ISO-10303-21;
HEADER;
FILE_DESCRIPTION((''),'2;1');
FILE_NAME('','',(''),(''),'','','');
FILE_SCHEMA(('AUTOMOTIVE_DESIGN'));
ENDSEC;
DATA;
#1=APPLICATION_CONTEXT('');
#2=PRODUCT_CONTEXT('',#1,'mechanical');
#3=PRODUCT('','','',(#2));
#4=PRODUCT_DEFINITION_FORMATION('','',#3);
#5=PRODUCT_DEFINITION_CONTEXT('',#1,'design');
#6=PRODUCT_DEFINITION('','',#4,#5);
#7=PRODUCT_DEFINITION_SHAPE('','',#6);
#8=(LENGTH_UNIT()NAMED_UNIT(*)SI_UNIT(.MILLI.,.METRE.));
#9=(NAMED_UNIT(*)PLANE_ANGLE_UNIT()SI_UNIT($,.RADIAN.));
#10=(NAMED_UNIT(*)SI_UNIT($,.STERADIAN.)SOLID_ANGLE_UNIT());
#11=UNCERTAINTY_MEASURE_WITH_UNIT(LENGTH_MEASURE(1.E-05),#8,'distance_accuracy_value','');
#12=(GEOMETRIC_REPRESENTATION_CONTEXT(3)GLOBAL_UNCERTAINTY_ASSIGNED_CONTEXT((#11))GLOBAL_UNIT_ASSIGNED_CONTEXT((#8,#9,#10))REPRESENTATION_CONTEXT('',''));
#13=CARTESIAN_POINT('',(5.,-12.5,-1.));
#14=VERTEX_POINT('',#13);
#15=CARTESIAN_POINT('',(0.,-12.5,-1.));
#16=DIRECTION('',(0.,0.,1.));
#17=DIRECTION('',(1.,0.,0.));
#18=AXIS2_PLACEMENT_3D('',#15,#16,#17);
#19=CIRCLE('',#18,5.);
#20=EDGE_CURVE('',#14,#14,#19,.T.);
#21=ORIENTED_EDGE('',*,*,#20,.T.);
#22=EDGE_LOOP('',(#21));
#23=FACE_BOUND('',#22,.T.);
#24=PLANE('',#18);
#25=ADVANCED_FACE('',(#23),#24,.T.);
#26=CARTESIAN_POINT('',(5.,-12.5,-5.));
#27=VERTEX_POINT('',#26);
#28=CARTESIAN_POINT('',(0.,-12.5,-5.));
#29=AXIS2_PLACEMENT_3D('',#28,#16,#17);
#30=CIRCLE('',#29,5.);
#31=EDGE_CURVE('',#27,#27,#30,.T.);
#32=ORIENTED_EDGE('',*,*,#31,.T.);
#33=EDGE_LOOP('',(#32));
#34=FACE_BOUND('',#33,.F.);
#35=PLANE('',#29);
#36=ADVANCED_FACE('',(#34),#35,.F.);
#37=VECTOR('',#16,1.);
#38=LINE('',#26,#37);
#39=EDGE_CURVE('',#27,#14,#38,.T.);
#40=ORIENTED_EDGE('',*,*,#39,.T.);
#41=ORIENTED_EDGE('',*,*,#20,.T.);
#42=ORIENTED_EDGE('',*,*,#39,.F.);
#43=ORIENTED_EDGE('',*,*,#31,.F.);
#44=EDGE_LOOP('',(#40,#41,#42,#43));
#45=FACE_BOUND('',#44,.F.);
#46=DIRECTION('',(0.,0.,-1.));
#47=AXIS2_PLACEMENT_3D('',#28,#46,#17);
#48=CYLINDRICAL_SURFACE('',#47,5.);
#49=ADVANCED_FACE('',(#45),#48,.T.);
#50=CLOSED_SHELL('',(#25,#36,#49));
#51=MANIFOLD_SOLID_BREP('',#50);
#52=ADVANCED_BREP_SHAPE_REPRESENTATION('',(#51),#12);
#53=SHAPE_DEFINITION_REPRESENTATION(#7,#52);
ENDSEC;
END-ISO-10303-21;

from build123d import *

# Parameters (mm, degrees)
F0_W      = 8.2
F0_H      = 3.2
F1_DEPTH  = 25
F2_R      = 3
F3_DEPTH  = 56.7
F4_R      = 2.6
F5_DEPTH  = 25
F6_R      = 7.5
F6_R_2    = 2.6
F7_DEPTH  = 5
F9_R      = 3
F10_DEPTH = 13
F12_DEPTH = 29.7
F13_R     = 2
F14_R     = 8
F15_R     = 5
F15_R_2   = 2.6
F16_DEPTH = 4


with BuildPart() as f1:
    # F0 (on Front) → F1 (new body)
    with BuildSketch(Plane.XZ):
        with BuildLine():
            Line((-10.6339062591, 10), (9.3660937409, 10))
            Line((9.3660937409, 10), (9.3660937409, 25))
            Line((9.3660937409, 25), (-25.002611801, 25))
            add(Edge.make_bspline(
                [(-25.002611801, 25), (-24.6417401479, 10.1696792706), (-29.4978582166, -23.9474636348), (-4.2645302601, -19.9716370553), (9.3660937409, -19.8654346168)],
                knots=[0, 0, 0, 0, 0.5338255261, 1, 1, 1, 1], degree=3))
            Line((9.3660937409, -19.8654346168), (9.3660937409, 0))
            Line((9.3660937409, 0), (-10.6339062591, 0))
            Line((-10.6339062591, 0), (-10.6339062591, 10))
        make_face()
        with Locations((0, -7.6)):
            Rectangle(F0_W, F0_H, mode=Mode.SUBTRACT)
        with BuildLine():
            add(Edge.make_bspline(
                [(-25.002611801, 25), (-24.6417401479, 10.1696792706), (-29.4978582166, -23.9474636348), (-4.2645302601, -19.9716370553), (9.3660937409, -19.8654346168)],
                knots=[0, 0, 0, 0, 0.5338255261, 1, 1, 1, 1], degree=3))
            Line((-25.002611801, 25), (-30.6339062591, 25))
            Line((-30.6339062591, 25), (-30.6339062591, -25))
            Line((-30.6339062591, -25), (9.3660937409, -25))
            Line((9.3660937409, -25), (9.3660937409, -19.8654346168))
        make_face()
    extrude(amount=F1_DEPTH)

    # F2 (on face) → F3 (cut)
    with BuildSketch(Plane.XY.offset(25)):
        with Locations((-17.6339062591, -12.5)):
            Circle(F2_R)
    extrude(amount=-F3_DEPTH, mode=Mode.SUBTRACT)

    # F4 (on face) → F5 (cut)
    with BuildSketch(Plane(origin=(0, 0, -25), x_dir=(1, 0, 0), z_dir=(0, 0, -1))):
        with Locations((0, 12.5)):
            Circle(F4_R)
    extrude(amount=-F5_DEPTH, mode=Mode.SUBTRACT)

    # F6 (on face) → F7 (cut)
    with BuildSketch(Plane.XY):
        with Locations((0, -12.5)):
            Circle(F6_R)
        with Locations((0, -12.5)):
            Circle(F6_R_2, mode=Mode.SUBTRACT)
    extrude(amount=-F7_DEPTH, mode=Mode.SUBTRACT)

    # F9 (on face) → F10 (cut)
    with BuildSketch(Plane(origin=(0, 0, -25), x_dir=(1, 0, 0), z_dir=(0, 0, -1))):
        Polygon((-19.9433073358, 8.5), (-15.3245051823, 8.5), (-13.0151041056, 12.5), (-15.3245051823, 16.5), (-19.9433073358, 16.5), (-22.2527084126, 12.5), align=None)
        with Locations((-17.6339062591, 12.5)):
            Circle(F9_R, mode=Mode.SUBTRACT)
    extrude(amount=-F10_DEPTH, mode=Mode.SUBTRACT)

    # F11 (on face) → F12 (cut)
    with BuildSketch(Plane.XZ.offset(25)):
        with BuildLine():
            add(Edge.make_bspline(
                [(-30.6339062591, 10.4684518361), (-30.250977562, -0.4565911074), (-26.8392149597, -19.9533025938), (-5.9271696172, -24.8007161824), (-4.2359018698, -25)],
                knots=[0.1687795662, 0.1687795662, 0.1687795662, 0.1687795662, 0.5606219593, 0.9476378979, 0.9476378979, 0.9476378979, 0.9476378979], degree=3))
            Line((-30.6339062591, 10.4684518361), (-30.6339062591, -25))
            Line((-30.6339062591, -25), (-4.2359018698, -25))
        make_face()
    extrude(amount=-F12_DEPTH, mode=Mode.SUBTRACT)

    # F13
    f13_edges = [f1.edges().sort_by_distance(p)[0] for p in [
        (2.565096, -25, -25),
        (2.565096, 0, -25),
        (-25.032678, -25, -13.131283),
        (-25.032678, 0, -13.131283),
    ]]
    fillet(f13_edges, radius=F13_R)

    # F14
    f14_edges = [f1.edges().sort_by_distance(p)[0] for p in [
        (-30.633906, -12.5, 25),
    ]]
    fillet(f14_edges, radius=F14_R)


with BuildPart() as f16:
    # F15 (on face) → F16 (new body)
    with BuildSketch(Plane.XY.offset(-5)):
        with Locations((0, -12.5)):
            Circle(F15_R)
        with Locations((0, -12.5)):
            Circle(F15_R_2, mode=Mode.SUBTRACT)
        with Locations((0, -12.5)):
            Circle(F15_R_2)
    extrude(amount=F16_DEPTH)


solid = f16.part
